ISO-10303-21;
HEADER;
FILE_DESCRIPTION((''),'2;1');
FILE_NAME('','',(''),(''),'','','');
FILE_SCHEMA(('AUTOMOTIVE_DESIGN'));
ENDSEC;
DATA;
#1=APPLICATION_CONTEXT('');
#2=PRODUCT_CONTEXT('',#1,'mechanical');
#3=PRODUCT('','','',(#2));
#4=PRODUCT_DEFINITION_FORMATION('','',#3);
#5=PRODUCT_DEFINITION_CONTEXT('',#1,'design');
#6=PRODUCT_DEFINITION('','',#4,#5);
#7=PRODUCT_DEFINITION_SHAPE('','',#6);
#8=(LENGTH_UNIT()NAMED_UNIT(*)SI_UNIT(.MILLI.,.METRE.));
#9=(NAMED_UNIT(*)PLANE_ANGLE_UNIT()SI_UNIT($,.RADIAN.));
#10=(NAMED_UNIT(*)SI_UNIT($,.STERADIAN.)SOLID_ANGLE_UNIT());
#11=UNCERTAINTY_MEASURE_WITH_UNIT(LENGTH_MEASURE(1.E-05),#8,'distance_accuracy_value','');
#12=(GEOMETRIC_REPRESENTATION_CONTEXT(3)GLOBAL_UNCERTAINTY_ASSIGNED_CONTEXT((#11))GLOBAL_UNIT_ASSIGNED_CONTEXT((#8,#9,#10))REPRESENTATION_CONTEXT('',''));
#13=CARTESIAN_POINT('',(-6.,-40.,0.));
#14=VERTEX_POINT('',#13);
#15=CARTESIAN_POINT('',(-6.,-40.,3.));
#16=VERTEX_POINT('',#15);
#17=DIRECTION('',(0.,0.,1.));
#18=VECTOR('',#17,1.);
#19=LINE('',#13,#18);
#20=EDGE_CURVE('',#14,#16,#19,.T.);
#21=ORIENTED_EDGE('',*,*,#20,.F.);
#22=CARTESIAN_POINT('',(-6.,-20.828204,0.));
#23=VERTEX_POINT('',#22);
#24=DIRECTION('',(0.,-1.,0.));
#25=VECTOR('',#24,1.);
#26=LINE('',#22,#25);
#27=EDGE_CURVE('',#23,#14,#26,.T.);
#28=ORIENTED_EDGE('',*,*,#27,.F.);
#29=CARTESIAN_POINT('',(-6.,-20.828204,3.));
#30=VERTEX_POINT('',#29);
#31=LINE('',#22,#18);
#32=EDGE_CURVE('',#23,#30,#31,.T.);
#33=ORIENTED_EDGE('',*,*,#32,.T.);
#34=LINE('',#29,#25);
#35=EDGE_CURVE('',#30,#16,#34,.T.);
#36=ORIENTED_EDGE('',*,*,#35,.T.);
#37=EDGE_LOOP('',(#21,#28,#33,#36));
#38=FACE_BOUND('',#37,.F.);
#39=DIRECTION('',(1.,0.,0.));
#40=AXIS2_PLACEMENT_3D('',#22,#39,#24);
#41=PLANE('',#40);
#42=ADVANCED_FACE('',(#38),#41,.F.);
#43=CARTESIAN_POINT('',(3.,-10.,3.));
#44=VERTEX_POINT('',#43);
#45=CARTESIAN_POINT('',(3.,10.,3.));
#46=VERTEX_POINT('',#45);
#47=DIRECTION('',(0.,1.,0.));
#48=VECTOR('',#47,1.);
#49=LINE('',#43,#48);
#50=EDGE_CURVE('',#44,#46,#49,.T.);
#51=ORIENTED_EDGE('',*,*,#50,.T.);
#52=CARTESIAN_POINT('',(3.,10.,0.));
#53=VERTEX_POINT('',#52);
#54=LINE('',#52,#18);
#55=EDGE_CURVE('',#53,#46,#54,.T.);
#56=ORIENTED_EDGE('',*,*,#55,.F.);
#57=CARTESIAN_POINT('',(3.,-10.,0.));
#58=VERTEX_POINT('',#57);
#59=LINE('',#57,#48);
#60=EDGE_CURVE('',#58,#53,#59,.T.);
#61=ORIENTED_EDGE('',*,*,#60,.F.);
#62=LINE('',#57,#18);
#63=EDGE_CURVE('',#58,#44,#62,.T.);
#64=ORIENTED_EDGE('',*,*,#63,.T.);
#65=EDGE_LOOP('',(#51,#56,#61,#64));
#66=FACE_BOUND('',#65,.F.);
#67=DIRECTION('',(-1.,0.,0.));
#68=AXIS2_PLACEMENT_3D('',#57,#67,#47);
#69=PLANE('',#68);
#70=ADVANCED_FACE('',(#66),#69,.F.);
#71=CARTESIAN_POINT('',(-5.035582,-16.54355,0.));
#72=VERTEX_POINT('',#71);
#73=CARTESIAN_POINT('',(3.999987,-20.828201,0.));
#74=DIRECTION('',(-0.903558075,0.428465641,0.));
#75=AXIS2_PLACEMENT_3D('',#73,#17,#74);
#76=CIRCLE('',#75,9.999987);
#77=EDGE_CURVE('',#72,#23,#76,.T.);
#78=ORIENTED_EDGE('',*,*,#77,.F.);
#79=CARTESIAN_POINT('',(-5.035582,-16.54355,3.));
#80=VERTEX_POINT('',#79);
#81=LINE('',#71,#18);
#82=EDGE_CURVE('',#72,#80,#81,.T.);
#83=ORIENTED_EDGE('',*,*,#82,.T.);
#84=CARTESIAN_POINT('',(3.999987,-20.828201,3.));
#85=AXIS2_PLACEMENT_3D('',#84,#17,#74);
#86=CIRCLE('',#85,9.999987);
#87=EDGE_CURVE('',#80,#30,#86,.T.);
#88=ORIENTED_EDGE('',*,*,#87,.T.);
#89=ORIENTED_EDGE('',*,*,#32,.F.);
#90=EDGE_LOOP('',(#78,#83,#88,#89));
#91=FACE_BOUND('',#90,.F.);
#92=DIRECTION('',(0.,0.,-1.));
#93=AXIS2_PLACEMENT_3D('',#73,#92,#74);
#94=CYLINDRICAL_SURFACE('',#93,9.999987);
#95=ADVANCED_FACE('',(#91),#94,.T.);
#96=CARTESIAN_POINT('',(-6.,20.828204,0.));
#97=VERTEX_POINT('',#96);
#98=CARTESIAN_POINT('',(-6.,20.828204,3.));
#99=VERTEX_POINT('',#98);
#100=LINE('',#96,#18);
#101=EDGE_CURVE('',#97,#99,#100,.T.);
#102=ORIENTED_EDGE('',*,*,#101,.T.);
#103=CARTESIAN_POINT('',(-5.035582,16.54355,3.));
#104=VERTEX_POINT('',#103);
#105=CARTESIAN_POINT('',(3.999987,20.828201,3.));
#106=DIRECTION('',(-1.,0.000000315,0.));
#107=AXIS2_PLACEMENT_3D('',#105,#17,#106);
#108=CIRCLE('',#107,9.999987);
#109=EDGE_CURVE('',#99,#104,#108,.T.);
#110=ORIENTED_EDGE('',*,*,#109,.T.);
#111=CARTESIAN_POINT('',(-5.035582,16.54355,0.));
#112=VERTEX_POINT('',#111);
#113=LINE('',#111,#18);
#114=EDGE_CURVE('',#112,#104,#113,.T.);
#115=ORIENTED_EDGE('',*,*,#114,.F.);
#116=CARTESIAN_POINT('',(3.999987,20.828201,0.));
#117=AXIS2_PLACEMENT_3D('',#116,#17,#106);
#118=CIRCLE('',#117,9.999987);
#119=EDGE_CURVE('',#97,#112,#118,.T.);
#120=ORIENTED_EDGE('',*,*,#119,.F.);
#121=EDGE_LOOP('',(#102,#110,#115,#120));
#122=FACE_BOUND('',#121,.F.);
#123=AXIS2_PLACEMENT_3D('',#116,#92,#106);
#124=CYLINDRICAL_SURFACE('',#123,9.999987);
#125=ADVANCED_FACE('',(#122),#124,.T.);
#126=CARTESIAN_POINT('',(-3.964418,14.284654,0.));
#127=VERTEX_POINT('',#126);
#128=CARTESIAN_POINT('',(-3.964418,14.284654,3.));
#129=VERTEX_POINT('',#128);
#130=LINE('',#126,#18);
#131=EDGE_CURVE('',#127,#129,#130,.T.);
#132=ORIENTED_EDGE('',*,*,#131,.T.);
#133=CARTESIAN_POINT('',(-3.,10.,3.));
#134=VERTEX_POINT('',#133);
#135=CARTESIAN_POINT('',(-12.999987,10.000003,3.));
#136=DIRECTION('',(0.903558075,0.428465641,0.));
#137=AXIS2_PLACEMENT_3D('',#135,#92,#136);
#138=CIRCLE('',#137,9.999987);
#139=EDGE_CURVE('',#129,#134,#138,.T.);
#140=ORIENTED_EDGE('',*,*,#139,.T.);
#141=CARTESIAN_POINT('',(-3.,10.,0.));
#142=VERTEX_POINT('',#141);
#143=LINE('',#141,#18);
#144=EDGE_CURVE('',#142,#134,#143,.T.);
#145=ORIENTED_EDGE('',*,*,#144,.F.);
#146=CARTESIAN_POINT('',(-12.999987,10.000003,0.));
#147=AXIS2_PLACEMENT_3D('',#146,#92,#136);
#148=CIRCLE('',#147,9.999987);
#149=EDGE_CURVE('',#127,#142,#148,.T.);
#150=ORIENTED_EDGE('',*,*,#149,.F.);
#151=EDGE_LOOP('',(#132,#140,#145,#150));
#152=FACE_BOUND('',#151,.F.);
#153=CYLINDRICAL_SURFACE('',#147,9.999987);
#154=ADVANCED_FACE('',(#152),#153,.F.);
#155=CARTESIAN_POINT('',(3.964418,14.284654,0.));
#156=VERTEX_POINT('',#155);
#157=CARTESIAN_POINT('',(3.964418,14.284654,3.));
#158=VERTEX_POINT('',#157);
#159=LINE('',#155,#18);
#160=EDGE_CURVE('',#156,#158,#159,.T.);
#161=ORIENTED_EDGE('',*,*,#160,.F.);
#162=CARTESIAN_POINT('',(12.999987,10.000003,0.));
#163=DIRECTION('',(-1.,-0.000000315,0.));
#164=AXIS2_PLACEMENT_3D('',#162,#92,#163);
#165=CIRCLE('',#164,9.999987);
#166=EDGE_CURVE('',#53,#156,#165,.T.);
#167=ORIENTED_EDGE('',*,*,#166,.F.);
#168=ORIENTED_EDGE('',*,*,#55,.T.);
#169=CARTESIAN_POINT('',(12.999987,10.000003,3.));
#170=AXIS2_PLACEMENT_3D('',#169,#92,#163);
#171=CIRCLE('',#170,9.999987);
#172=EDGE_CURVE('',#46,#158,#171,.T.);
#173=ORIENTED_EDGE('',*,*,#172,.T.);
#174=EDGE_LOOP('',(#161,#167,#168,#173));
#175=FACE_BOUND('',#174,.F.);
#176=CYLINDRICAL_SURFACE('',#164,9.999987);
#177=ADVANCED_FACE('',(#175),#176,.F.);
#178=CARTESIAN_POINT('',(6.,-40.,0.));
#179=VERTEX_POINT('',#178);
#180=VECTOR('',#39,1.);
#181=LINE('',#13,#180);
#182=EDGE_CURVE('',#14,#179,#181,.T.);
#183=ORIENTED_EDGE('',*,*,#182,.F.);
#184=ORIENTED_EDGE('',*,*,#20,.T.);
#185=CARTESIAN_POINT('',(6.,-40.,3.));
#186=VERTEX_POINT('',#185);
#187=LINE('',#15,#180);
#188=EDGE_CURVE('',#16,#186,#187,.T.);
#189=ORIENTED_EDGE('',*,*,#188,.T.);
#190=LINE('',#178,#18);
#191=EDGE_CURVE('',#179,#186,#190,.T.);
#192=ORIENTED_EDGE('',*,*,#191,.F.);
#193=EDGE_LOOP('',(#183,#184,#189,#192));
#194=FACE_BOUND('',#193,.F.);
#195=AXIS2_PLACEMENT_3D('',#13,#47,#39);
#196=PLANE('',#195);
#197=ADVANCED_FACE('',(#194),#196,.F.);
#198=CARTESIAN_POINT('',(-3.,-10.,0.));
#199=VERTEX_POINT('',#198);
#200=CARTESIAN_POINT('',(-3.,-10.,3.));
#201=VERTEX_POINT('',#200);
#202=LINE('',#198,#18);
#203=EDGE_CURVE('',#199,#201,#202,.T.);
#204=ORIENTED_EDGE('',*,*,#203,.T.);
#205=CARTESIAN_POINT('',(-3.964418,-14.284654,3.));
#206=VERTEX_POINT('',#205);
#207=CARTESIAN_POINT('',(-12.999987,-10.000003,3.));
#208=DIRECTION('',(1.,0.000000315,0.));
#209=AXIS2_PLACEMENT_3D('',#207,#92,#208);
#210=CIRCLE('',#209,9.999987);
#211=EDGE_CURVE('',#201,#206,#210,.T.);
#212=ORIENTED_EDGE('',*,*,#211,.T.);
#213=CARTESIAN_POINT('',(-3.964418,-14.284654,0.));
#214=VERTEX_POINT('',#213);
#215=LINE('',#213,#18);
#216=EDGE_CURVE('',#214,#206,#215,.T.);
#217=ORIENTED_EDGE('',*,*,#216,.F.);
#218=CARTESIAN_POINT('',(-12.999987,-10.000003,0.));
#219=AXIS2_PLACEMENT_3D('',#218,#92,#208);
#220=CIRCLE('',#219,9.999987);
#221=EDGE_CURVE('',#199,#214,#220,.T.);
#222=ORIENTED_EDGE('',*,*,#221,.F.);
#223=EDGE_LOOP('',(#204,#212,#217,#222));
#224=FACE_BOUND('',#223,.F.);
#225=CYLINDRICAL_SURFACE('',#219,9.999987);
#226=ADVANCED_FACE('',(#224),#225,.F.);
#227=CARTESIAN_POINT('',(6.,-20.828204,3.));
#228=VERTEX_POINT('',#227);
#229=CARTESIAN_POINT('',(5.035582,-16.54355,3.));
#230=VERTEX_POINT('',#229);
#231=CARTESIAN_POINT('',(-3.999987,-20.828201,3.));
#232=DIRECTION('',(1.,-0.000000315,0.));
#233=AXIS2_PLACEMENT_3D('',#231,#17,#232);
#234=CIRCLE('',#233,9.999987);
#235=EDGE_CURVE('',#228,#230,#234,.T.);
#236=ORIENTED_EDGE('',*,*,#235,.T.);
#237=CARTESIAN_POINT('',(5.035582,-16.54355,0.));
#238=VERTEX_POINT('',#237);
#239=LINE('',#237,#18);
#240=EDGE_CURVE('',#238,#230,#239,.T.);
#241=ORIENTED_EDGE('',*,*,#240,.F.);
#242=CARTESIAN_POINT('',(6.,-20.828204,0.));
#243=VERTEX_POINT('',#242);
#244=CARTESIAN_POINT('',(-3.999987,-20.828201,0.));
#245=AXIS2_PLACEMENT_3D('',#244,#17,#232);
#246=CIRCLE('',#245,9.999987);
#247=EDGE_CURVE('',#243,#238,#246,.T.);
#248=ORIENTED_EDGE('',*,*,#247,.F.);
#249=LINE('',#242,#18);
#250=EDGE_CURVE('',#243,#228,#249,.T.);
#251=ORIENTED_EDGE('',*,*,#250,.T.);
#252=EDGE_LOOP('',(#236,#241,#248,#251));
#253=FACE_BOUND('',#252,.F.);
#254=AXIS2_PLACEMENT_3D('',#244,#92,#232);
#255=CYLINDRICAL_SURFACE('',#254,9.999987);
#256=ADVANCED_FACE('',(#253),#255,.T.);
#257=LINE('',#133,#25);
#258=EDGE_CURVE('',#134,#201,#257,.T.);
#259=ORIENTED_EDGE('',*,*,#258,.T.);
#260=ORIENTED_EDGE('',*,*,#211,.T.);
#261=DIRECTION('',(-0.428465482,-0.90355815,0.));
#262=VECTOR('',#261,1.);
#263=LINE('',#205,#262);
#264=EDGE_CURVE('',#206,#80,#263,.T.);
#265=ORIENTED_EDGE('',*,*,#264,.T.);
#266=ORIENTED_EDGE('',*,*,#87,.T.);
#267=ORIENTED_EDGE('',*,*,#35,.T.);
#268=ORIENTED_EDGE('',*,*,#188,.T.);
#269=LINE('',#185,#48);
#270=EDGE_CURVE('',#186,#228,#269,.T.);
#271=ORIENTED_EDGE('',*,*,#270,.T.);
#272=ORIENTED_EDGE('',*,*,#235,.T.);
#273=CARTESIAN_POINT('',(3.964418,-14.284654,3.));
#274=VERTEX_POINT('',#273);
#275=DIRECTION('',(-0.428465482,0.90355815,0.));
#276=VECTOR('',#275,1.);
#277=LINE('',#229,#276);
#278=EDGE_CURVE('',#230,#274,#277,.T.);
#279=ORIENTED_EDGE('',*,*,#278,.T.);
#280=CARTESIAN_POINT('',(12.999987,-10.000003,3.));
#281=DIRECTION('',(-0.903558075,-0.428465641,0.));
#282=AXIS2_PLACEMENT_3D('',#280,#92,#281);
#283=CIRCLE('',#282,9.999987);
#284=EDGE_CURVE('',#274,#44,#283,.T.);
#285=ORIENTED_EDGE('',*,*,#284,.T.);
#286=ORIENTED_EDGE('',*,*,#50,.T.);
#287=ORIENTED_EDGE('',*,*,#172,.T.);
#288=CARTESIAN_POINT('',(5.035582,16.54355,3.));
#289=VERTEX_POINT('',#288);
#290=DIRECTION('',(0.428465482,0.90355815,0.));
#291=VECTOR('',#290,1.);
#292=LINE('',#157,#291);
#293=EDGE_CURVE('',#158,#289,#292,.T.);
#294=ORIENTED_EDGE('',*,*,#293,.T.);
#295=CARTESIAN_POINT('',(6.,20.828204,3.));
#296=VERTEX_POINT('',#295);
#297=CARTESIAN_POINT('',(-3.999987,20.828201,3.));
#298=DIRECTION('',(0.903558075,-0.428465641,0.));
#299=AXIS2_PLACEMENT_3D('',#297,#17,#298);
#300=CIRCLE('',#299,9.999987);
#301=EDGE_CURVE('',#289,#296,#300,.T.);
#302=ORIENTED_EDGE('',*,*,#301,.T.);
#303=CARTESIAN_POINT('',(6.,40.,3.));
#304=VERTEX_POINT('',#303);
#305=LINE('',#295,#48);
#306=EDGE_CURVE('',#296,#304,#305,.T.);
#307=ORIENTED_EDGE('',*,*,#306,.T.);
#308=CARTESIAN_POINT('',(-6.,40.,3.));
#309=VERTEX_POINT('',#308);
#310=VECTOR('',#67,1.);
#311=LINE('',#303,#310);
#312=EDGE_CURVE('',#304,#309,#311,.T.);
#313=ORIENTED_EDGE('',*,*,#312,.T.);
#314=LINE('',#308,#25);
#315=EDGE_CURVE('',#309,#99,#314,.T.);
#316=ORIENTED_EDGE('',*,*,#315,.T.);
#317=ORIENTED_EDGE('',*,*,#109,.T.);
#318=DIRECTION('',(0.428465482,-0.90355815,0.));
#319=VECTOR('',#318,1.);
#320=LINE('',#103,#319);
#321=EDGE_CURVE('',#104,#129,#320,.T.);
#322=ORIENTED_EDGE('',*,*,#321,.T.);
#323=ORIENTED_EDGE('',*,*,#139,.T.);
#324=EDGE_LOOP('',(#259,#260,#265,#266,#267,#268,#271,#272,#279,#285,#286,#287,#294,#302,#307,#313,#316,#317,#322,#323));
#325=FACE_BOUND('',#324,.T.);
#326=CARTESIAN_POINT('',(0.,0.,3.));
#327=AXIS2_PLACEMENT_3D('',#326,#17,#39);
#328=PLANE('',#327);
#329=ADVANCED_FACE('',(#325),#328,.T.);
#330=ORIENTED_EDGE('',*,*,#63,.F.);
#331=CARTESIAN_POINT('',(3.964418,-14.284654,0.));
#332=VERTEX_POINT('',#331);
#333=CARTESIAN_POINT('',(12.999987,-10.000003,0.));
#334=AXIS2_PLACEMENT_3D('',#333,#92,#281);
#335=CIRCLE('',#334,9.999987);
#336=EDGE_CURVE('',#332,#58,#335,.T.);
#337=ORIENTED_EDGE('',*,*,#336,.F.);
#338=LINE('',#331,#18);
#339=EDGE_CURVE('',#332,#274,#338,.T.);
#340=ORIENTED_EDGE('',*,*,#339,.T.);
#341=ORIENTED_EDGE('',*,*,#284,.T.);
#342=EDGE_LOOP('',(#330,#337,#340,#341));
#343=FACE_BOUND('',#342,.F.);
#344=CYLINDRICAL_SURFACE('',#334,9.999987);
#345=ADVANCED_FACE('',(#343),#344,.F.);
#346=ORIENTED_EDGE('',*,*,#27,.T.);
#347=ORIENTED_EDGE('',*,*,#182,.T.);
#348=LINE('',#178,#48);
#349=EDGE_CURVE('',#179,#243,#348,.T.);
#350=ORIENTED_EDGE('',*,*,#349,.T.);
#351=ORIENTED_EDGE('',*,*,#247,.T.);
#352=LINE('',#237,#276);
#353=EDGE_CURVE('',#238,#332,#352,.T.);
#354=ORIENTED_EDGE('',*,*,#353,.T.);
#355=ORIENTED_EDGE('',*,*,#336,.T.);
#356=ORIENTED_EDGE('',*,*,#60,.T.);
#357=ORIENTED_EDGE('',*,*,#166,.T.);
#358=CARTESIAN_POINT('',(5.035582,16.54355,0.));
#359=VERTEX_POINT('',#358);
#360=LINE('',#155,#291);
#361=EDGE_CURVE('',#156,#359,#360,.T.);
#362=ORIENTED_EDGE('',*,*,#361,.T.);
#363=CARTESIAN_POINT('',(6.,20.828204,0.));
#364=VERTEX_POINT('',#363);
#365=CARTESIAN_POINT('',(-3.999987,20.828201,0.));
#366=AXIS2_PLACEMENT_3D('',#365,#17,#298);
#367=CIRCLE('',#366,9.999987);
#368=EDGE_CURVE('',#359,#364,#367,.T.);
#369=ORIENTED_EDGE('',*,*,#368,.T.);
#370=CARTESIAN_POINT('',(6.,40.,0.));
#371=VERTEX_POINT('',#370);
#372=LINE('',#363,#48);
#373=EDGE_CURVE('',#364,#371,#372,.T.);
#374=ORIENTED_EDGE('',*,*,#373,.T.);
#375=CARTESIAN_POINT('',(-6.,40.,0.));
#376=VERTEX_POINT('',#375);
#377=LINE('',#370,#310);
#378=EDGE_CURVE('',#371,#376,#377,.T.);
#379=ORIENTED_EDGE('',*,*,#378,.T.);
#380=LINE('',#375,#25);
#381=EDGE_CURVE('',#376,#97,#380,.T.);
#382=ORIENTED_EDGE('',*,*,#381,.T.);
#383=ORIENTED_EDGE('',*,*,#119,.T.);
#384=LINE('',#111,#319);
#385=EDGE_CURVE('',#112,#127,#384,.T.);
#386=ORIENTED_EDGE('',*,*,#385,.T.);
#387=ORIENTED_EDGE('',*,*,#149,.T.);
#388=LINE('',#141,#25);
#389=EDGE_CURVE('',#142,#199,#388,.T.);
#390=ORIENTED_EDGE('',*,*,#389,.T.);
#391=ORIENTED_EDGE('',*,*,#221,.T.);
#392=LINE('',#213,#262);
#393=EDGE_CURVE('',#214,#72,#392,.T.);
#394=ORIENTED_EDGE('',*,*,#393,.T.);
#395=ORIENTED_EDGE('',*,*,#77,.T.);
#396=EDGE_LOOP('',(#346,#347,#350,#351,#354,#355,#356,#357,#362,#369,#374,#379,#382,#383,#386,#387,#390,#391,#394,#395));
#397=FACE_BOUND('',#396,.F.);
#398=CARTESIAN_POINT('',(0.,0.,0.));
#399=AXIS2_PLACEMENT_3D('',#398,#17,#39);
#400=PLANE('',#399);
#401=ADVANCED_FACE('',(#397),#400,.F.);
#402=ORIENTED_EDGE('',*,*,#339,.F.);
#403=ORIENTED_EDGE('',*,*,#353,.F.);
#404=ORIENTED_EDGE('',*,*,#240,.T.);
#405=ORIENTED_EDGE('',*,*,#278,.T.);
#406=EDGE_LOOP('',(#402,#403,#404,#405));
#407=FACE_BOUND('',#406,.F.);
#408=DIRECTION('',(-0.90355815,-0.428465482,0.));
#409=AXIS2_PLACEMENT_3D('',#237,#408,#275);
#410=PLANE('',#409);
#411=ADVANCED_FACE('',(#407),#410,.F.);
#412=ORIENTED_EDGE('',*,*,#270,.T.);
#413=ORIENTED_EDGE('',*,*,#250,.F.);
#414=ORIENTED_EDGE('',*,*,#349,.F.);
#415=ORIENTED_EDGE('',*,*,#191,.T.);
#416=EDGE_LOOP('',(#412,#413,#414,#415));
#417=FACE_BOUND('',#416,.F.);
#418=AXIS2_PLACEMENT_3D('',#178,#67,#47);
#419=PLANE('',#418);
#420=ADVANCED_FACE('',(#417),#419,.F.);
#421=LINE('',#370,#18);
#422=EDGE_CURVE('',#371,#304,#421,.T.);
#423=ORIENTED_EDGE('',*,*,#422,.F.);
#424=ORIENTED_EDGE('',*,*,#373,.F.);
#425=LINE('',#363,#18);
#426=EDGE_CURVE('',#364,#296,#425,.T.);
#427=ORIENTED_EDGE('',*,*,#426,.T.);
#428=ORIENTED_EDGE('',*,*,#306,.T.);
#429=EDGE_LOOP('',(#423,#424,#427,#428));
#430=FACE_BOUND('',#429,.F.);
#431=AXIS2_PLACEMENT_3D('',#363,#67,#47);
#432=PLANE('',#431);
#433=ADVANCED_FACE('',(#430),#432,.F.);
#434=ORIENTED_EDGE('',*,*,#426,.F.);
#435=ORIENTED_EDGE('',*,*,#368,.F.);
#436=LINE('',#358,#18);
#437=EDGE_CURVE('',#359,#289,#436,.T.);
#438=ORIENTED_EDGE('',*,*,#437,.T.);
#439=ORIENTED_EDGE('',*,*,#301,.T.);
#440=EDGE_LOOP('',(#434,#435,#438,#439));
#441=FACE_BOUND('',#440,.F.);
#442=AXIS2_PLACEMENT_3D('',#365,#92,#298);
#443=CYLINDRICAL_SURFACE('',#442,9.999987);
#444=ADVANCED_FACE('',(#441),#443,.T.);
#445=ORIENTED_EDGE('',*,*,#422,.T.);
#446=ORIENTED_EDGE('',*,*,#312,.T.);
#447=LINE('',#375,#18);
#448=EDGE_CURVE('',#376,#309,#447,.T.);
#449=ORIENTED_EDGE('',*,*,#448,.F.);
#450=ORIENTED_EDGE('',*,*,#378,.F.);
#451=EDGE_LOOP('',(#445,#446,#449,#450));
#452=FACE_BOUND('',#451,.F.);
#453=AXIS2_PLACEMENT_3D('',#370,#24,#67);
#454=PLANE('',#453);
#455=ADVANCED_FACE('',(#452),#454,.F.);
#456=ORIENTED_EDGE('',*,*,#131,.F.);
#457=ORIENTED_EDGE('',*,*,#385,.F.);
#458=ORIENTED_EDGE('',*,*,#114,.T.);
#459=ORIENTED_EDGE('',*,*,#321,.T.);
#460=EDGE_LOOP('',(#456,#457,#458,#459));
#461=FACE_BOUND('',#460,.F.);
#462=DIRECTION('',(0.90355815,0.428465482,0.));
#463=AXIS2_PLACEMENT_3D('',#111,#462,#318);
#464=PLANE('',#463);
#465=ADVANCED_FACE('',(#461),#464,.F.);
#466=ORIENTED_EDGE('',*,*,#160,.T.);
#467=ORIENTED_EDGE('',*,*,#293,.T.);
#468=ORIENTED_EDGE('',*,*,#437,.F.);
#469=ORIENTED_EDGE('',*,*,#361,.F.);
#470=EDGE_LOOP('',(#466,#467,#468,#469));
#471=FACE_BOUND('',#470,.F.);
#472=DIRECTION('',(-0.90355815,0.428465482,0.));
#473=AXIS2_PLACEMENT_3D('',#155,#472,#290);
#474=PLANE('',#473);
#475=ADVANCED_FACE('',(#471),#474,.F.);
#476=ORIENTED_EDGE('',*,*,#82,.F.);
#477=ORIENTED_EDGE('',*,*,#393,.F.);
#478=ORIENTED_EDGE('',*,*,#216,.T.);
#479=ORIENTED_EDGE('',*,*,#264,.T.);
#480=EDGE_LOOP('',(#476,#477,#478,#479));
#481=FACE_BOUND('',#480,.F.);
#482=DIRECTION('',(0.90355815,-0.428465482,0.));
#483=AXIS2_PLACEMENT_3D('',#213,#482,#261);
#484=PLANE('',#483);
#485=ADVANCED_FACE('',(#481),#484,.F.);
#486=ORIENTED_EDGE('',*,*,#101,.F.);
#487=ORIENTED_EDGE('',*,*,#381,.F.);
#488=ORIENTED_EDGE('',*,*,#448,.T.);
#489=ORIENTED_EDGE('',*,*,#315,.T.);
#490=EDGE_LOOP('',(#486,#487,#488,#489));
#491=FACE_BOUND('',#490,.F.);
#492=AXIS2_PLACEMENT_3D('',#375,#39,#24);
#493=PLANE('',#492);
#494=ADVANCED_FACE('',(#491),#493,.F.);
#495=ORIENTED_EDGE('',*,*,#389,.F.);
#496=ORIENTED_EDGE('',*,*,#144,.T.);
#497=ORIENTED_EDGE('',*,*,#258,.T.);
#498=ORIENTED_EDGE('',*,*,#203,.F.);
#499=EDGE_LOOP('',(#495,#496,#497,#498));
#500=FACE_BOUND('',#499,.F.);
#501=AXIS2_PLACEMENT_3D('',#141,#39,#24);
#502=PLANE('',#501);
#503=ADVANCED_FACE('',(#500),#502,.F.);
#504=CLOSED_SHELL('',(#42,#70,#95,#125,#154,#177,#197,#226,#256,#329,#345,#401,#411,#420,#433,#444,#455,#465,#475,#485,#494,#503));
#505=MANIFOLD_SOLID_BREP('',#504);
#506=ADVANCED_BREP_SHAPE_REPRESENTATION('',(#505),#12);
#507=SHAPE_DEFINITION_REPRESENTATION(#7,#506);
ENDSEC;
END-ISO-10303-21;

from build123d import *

# Parameters (mm, degrees)
F1_DEPTH = 3


with BuildPart() as f1:
    # F0 (on Top) → F1 (new body)
    with BuildSketch(Plane.XY):
        with BuildLine():
            Line((3, -10), (3, 0))
            Line((3, 0), (3, 10))
            ThreePointArc((3, 10), (3.244083, 12.195926), (3.964418, 14.284654))
            Line((3.964418, 14.284654), (5.035582, 16.54355))
            ThreePointArc((5.035582, 16.54355), (5.755917, 18.632278), (6, 20.828204))
            Line((6, 20.828204), (6, 40))
            Line((6, 40), (0, 40))
            Line((0, 40), (-6, 40))
            Line((-6, 40), (-6, 20.828204))
            ThreePointArc((-6, 20.828204), (-5.755917, 18.632278), (-5.035582, 16.54355))
            Line((-5.035582, 16.54355), (-3.964418, 14.284654))
            ThreePointArc((-3.964418, 14.284654), (-3.244083, 12.195926), (-3, 10))
            Line((-3, 10), (-3, 0))
            Line((-3, 0), (-3, -10))
            ThreePointArc((-3, -10), (-3.244083, -12.195926), (-3.964418, -14.284654))
            Line((-3.964418, -14.284654), (-5.035582, -16.54355))
            ThreePointArc((-5.035582, -16.54355), (-5.755917, -18.632278), (-6, -20.828204))
            Line((-6, -20.828204), (-6, -40))
            Line((-6, -40), (0, -40))
            Line((0, -40), (6, -40))
            Line((6, -40), (6, -20.828204))
            ThreePointArc((6, -20.828204), (5.755917, -18.632278), (5.035582, -16.54355))
            Line((5.035582, -16.54355), (3.964418, -14.284654))
            ThreePointArc((3.964418, -14.284654), (3.244083, -12.195926), (3, -10))
        make_face()
    extrude(amount=F1_DEPTH)


solid = f1.part
